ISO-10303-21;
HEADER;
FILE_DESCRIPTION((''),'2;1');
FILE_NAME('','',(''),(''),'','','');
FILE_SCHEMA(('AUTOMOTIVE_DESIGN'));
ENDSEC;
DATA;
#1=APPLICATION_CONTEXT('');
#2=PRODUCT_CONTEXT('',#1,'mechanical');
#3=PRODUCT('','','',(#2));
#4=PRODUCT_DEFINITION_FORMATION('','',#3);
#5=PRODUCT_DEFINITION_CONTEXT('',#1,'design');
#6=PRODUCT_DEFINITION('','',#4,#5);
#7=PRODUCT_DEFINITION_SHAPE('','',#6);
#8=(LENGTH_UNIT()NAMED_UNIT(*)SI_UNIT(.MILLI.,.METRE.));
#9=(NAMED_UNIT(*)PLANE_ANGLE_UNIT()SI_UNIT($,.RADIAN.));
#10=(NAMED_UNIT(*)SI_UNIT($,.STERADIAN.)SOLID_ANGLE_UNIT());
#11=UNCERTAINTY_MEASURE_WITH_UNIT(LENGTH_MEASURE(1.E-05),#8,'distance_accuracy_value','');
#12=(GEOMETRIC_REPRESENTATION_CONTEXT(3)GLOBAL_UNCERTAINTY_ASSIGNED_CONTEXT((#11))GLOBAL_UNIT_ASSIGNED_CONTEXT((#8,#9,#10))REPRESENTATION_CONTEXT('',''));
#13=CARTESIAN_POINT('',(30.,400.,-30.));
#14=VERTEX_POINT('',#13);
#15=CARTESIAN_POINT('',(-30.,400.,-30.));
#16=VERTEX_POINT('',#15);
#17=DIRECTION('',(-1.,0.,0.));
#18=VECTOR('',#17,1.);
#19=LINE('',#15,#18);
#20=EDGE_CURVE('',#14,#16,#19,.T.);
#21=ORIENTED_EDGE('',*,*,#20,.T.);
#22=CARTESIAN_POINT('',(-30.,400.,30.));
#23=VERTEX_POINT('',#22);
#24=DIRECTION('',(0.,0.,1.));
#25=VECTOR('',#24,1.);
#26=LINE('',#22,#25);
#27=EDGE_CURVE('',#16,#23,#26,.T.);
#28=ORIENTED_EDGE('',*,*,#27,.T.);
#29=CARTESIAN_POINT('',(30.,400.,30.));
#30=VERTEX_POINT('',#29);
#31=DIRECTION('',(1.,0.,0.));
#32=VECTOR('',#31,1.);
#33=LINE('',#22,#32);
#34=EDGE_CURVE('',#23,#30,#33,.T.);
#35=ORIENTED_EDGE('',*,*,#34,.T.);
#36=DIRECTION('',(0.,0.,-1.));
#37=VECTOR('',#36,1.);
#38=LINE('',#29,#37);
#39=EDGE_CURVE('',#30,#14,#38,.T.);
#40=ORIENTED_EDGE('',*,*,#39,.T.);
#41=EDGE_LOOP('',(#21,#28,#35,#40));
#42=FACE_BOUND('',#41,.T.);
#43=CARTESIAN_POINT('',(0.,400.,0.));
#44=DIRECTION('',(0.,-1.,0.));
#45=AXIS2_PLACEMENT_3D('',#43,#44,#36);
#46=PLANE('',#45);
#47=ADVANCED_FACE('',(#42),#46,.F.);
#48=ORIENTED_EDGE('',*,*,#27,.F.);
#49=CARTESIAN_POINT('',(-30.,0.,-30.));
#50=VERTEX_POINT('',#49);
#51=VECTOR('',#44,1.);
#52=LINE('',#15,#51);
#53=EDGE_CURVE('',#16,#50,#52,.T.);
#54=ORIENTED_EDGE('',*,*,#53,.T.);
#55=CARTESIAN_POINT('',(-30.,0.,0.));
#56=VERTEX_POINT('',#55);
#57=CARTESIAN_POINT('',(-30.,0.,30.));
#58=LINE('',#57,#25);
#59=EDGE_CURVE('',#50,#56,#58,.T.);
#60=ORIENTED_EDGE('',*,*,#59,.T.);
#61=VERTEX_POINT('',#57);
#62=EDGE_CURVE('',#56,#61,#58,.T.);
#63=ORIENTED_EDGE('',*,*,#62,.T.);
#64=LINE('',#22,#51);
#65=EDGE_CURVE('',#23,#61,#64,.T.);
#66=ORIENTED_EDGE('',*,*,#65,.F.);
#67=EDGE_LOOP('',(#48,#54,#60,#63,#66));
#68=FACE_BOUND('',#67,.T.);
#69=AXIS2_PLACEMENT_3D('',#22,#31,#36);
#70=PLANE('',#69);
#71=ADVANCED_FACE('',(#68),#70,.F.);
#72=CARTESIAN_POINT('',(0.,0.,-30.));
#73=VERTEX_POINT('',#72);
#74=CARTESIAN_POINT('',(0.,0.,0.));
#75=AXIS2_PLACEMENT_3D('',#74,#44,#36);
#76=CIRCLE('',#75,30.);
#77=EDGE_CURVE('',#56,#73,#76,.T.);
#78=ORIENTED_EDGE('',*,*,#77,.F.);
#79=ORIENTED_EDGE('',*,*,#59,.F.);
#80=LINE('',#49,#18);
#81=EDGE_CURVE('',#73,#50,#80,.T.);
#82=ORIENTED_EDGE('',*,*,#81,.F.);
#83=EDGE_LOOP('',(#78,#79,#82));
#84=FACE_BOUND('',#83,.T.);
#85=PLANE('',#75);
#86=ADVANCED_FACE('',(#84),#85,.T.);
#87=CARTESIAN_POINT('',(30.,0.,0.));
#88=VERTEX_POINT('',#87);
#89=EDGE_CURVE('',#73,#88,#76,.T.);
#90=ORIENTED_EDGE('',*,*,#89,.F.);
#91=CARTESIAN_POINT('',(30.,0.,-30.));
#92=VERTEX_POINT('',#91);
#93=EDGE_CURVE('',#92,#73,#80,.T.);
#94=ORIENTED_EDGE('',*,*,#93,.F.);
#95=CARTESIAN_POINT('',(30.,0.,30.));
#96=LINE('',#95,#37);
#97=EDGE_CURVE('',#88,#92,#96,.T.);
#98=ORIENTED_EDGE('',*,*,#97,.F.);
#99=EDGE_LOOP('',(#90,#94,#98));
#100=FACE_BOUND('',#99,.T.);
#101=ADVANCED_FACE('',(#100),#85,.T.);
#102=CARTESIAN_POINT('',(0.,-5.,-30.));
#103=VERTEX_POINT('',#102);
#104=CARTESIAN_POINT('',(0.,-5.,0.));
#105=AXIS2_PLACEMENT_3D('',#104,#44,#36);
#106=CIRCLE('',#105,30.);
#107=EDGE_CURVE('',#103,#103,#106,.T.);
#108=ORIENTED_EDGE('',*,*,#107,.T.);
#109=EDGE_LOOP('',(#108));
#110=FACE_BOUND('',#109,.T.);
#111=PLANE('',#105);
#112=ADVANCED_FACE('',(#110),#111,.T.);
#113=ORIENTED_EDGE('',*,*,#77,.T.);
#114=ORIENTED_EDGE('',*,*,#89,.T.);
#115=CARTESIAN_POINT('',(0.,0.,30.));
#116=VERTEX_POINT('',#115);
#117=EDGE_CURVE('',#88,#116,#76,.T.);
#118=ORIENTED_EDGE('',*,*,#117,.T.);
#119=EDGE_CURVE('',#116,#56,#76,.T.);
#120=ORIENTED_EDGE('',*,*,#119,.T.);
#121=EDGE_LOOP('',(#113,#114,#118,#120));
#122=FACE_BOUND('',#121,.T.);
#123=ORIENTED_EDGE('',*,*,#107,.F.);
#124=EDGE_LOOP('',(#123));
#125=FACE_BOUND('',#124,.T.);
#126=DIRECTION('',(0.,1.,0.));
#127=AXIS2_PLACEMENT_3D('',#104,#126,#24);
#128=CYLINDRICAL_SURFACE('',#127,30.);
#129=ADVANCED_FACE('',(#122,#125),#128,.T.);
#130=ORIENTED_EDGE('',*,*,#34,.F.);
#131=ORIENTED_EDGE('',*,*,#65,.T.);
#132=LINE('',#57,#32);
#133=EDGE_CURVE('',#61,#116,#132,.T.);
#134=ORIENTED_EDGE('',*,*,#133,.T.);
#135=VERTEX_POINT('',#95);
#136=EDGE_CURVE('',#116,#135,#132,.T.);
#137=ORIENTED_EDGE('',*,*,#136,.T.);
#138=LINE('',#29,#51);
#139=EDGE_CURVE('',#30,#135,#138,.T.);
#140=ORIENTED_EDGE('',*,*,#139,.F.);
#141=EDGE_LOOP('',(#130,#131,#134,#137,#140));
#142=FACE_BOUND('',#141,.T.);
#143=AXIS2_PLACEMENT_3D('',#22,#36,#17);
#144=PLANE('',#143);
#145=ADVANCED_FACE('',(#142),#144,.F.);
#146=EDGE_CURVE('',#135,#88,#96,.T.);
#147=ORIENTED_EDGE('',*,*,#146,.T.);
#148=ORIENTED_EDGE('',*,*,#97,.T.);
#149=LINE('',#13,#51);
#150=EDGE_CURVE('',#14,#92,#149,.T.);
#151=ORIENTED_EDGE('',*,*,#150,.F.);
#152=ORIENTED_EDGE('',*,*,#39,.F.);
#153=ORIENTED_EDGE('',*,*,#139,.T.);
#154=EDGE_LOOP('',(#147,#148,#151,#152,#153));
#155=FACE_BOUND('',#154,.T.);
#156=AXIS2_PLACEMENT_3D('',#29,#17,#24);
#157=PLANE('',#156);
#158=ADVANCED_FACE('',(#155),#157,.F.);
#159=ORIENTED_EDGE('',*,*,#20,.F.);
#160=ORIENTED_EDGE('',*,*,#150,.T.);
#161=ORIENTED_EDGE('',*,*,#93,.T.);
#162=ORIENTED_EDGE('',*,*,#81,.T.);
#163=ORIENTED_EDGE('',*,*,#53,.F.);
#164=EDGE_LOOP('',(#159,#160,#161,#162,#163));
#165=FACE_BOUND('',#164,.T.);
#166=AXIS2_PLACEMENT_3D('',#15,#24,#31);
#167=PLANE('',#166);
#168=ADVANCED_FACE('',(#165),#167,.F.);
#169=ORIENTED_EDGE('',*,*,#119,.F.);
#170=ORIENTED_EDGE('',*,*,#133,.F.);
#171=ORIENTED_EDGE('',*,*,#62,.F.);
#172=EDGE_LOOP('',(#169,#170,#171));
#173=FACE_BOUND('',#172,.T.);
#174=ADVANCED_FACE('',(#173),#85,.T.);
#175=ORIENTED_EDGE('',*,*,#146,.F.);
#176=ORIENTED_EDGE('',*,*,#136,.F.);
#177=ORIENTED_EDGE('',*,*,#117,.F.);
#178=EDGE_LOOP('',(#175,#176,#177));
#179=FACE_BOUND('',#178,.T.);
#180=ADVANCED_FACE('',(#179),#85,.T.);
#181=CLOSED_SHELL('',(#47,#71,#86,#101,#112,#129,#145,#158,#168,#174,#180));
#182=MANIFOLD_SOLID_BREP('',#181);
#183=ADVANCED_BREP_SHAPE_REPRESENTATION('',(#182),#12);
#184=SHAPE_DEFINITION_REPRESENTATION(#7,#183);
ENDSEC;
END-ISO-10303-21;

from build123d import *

# Parameters (mm, degrees)
SKETCH_1_W      = 60
SKETCH_1_H      = 60
EXTRUDE_1_DEPTH = 400
SKETCH_2_R      = 30
EXTRUDE_2_DEPTH = 5


with BuildPart() as part:
    # 草图1 → 凸台-拉伸1 (new body)
    with BuildSketch(Plane(origin=(0, 0, 0), x_dir=(1, 0, 0), z_dir=(0, 1, 0))):
        Rectangle(SKETCH_1_W, SKETCH_1_H)
    extrude(amount=EXTRUDE_1_DEPTH)

    # 草图2 → 凸台-拉伸2 (add)
    with BuildSketch(Plane.XZ):
        with Locations(Location((0, 0, 0), (0, 0, 270))):
            Circle(SKETCH_2_R)
    extrude(amount=EXTRUDE_2_DEPTH)


solid = part.part
